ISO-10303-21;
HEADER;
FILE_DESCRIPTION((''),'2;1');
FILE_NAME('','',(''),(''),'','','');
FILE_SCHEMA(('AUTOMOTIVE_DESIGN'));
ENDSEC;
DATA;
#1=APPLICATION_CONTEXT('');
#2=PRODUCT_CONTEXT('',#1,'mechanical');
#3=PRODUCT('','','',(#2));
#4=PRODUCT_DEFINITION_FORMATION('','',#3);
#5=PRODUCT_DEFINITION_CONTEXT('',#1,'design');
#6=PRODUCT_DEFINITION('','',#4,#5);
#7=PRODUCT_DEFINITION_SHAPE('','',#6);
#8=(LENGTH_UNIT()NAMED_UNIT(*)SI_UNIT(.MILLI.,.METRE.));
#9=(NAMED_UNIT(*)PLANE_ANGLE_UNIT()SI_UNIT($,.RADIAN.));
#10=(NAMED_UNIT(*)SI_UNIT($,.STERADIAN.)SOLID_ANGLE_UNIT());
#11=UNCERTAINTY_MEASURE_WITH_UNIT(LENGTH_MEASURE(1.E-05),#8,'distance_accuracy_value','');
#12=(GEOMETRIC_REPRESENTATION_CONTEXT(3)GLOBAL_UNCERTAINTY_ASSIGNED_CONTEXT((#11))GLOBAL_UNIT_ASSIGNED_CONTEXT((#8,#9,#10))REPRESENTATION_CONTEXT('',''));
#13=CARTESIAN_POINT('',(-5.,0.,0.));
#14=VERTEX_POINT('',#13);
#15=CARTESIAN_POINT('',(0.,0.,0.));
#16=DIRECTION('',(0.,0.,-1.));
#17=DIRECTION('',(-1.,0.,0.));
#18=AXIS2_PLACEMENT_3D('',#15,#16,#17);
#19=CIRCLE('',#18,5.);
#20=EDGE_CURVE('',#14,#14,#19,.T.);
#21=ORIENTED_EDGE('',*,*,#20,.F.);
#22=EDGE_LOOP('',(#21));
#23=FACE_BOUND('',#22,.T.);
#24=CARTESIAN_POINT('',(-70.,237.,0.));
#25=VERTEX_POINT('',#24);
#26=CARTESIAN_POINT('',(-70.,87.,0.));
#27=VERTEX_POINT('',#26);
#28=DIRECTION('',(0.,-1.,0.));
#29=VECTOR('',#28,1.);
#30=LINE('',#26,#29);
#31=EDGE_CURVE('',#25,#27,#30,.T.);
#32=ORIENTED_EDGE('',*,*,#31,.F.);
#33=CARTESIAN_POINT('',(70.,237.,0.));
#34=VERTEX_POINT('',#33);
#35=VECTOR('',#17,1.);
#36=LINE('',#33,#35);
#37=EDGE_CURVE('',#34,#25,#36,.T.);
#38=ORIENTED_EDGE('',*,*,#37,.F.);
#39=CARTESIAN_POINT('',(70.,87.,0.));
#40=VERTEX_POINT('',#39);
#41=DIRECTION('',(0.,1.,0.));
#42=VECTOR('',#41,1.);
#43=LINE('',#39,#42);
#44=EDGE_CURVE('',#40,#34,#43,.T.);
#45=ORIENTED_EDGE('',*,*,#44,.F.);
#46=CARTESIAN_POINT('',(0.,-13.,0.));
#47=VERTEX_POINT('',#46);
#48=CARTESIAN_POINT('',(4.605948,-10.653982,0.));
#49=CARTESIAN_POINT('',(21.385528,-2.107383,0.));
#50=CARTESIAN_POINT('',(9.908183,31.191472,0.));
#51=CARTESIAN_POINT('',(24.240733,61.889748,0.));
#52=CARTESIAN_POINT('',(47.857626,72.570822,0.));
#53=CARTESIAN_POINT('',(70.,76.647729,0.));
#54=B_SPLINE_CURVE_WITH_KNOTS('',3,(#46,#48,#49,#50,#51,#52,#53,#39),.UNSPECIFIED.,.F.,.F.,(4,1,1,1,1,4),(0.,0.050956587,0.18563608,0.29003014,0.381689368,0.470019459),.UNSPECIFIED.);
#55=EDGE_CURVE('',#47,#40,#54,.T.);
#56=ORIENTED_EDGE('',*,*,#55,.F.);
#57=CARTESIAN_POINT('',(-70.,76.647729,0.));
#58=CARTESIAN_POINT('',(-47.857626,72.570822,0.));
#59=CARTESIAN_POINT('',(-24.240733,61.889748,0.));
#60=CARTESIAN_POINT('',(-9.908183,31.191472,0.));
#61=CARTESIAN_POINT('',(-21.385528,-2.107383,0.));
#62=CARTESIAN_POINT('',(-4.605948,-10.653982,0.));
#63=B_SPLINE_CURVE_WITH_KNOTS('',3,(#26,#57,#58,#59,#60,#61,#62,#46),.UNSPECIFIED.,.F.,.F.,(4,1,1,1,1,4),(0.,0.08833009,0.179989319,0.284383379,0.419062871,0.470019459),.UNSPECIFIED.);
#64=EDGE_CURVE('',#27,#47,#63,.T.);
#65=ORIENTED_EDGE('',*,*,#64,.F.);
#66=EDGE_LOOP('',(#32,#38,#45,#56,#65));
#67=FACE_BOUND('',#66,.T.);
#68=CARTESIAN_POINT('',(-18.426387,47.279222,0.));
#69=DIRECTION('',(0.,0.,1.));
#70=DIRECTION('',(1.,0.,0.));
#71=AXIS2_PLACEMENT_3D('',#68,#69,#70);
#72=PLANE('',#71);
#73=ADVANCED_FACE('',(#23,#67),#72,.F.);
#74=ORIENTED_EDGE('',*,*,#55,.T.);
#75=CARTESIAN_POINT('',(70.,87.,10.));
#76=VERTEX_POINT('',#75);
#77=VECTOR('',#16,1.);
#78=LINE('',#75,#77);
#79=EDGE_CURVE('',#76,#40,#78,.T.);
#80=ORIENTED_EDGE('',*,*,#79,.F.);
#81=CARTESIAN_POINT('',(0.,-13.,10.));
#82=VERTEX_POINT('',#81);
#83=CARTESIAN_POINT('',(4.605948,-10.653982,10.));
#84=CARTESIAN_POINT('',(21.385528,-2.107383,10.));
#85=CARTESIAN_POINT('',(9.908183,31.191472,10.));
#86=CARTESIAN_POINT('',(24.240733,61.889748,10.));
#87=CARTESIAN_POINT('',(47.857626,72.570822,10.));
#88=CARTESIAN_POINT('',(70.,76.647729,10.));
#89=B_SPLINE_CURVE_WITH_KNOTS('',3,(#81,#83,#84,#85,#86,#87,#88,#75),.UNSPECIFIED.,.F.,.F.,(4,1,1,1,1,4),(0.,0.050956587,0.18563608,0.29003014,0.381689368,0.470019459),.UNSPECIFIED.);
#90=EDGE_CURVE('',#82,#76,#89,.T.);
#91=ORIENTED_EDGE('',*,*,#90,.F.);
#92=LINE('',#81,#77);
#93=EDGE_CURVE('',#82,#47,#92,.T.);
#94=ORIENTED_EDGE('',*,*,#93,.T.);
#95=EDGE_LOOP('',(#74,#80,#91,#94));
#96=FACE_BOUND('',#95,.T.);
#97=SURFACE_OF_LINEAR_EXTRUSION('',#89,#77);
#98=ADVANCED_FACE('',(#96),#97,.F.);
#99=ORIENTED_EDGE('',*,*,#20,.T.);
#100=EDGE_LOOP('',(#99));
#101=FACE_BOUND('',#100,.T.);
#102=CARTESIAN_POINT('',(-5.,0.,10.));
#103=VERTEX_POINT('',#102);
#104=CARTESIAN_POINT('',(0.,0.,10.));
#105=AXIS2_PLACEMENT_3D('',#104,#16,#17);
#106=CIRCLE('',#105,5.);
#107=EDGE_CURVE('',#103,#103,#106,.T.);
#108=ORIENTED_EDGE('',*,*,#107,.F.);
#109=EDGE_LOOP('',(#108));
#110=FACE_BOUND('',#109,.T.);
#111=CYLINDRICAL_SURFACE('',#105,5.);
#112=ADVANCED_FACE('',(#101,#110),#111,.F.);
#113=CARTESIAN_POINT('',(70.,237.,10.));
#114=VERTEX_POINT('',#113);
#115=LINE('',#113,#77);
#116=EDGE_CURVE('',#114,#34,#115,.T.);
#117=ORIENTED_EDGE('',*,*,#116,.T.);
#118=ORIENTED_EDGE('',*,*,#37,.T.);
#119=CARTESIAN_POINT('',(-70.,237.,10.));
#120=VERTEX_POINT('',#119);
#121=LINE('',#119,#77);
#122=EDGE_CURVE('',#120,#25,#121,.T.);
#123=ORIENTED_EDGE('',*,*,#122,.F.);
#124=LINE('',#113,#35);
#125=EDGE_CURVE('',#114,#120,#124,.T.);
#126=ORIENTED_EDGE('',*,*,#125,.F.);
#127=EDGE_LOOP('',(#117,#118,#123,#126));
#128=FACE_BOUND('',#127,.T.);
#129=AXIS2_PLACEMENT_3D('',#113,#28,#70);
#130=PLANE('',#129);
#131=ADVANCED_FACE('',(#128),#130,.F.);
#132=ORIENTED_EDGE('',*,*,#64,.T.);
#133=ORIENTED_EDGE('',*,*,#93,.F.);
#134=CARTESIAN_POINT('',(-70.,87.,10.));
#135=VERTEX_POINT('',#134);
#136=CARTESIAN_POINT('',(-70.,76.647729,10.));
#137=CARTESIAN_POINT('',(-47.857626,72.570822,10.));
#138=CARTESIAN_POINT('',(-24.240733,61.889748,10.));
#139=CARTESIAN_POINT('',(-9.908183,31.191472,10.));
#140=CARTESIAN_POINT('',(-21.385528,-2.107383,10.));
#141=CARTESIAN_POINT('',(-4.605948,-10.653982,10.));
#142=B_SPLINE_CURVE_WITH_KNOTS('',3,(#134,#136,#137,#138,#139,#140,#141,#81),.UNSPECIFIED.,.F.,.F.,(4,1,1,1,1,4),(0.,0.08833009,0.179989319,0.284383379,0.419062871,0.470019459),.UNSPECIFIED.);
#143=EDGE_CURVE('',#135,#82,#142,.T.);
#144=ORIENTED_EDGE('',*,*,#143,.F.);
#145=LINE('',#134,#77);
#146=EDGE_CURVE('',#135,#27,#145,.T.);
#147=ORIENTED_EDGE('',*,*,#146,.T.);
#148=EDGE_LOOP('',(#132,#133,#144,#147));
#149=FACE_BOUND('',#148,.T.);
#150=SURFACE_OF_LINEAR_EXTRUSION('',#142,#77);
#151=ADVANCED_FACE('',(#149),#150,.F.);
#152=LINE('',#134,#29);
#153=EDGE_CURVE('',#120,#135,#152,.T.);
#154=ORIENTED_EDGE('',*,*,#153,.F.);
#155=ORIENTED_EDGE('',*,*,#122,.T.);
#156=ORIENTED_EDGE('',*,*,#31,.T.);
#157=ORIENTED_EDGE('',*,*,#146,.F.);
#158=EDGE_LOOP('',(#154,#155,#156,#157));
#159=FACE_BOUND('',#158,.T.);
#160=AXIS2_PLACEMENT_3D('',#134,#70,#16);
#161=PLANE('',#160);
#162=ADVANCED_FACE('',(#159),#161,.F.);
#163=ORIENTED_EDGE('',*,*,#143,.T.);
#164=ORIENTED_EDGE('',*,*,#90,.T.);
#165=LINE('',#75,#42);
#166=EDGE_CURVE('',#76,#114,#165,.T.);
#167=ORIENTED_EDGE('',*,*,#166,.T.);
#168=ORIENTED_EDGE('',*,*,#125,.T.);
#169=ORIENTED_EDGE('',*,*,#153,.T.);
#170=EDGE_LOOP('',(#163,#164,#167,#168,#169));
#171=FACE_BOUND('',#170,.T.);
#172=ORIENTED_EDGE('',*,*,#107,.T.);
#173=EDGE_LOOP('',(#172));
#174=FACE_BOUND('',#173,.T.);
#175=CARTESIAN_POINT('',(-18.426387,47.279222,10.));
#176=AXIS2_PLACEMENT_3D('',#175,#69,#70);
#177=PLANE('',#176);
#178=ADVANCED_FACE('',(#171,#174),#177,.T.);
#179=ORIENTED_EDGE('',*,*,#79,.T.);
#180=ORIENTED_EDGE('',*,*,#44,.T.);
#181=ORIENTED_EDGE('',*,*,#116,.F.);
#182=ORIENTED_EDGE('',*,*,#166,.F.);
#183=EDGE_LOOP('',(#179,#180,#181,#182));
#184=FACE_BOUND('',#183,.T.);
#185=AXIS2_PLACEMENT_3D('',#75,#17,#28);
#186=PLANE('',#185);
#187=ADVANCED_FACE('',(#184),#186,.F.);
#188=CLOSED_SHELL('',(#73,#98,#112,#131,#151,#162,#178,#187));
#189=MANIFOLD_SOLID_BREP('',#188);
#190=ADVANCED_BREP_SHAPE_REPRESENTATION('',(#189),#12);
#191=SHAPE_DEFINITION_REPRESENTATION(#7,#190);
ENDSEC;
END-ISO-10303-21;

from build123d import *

# Parameters (mm, degrees)
BOSS_EXTRUDE1_DEPTH = 10
SKETCH2_R           = 5
CUT_EXTRUDE1_DEPTH  = 10


with BuildPart() as part:
    # Sketch1 → Boss-Extrude1 (new body)
    with BuildSketch(Plane.XY):
        with BuildLine():
            Line((70, 87), (70, 237))
            Line((70, 237), (-70, 237))
            Line((-70, 237), (-70, 87))
            add(Edge.make_bspline(
                [(0, -13), (-4.605948028, -10.653982198), (-21.385528158, -2.10738257), (-9.908182864, 31.191471557), (-24.240732749, 61.889747712), (-47.857626179, 72.570821606), (-70, 76.647728673), (-70, 87)],
                knots=[0, 0, 0, 0, 0.050956587, 0.18563608, 0.29003014, 0.381689368, 0.470019459, 0.470019459, 0.470019459, 0.470019459], degree=3))
            add(Edge.make_bspline(
                [(0, -13), (4.605948028, -10.653982198), (21.385528158, -2.10738257), (9.908182864, 31.191471557), (24.240732749, 61.889747712), (47.857626179, 72.570821606), (70, 76.647728673), (70, 87)],
                knots=[0, 0, 0, 0, 0.050956587, 0.18563608, 0.29003014, 0.381689368, 0.470019459, 0.470019459, 0.470019459, 0.470019459], degree=3))
        make_face()
    extrude(amount=BOSS_EXTRUDE1_DEPTH)

    # Sketch2 → Cut-Extrude1 (cut)
    with BuildSketch(Plane(origin=(0, 0, 0), x_dir=(-1, 0, 0), z_dir=(0, 0, -1))):
        Circle(SKETCH2_R)
    extrude(amount=-CUT_EXTRUDE1_DEPTH, mode=Mode.SUBTRACT)


solid = part.part
